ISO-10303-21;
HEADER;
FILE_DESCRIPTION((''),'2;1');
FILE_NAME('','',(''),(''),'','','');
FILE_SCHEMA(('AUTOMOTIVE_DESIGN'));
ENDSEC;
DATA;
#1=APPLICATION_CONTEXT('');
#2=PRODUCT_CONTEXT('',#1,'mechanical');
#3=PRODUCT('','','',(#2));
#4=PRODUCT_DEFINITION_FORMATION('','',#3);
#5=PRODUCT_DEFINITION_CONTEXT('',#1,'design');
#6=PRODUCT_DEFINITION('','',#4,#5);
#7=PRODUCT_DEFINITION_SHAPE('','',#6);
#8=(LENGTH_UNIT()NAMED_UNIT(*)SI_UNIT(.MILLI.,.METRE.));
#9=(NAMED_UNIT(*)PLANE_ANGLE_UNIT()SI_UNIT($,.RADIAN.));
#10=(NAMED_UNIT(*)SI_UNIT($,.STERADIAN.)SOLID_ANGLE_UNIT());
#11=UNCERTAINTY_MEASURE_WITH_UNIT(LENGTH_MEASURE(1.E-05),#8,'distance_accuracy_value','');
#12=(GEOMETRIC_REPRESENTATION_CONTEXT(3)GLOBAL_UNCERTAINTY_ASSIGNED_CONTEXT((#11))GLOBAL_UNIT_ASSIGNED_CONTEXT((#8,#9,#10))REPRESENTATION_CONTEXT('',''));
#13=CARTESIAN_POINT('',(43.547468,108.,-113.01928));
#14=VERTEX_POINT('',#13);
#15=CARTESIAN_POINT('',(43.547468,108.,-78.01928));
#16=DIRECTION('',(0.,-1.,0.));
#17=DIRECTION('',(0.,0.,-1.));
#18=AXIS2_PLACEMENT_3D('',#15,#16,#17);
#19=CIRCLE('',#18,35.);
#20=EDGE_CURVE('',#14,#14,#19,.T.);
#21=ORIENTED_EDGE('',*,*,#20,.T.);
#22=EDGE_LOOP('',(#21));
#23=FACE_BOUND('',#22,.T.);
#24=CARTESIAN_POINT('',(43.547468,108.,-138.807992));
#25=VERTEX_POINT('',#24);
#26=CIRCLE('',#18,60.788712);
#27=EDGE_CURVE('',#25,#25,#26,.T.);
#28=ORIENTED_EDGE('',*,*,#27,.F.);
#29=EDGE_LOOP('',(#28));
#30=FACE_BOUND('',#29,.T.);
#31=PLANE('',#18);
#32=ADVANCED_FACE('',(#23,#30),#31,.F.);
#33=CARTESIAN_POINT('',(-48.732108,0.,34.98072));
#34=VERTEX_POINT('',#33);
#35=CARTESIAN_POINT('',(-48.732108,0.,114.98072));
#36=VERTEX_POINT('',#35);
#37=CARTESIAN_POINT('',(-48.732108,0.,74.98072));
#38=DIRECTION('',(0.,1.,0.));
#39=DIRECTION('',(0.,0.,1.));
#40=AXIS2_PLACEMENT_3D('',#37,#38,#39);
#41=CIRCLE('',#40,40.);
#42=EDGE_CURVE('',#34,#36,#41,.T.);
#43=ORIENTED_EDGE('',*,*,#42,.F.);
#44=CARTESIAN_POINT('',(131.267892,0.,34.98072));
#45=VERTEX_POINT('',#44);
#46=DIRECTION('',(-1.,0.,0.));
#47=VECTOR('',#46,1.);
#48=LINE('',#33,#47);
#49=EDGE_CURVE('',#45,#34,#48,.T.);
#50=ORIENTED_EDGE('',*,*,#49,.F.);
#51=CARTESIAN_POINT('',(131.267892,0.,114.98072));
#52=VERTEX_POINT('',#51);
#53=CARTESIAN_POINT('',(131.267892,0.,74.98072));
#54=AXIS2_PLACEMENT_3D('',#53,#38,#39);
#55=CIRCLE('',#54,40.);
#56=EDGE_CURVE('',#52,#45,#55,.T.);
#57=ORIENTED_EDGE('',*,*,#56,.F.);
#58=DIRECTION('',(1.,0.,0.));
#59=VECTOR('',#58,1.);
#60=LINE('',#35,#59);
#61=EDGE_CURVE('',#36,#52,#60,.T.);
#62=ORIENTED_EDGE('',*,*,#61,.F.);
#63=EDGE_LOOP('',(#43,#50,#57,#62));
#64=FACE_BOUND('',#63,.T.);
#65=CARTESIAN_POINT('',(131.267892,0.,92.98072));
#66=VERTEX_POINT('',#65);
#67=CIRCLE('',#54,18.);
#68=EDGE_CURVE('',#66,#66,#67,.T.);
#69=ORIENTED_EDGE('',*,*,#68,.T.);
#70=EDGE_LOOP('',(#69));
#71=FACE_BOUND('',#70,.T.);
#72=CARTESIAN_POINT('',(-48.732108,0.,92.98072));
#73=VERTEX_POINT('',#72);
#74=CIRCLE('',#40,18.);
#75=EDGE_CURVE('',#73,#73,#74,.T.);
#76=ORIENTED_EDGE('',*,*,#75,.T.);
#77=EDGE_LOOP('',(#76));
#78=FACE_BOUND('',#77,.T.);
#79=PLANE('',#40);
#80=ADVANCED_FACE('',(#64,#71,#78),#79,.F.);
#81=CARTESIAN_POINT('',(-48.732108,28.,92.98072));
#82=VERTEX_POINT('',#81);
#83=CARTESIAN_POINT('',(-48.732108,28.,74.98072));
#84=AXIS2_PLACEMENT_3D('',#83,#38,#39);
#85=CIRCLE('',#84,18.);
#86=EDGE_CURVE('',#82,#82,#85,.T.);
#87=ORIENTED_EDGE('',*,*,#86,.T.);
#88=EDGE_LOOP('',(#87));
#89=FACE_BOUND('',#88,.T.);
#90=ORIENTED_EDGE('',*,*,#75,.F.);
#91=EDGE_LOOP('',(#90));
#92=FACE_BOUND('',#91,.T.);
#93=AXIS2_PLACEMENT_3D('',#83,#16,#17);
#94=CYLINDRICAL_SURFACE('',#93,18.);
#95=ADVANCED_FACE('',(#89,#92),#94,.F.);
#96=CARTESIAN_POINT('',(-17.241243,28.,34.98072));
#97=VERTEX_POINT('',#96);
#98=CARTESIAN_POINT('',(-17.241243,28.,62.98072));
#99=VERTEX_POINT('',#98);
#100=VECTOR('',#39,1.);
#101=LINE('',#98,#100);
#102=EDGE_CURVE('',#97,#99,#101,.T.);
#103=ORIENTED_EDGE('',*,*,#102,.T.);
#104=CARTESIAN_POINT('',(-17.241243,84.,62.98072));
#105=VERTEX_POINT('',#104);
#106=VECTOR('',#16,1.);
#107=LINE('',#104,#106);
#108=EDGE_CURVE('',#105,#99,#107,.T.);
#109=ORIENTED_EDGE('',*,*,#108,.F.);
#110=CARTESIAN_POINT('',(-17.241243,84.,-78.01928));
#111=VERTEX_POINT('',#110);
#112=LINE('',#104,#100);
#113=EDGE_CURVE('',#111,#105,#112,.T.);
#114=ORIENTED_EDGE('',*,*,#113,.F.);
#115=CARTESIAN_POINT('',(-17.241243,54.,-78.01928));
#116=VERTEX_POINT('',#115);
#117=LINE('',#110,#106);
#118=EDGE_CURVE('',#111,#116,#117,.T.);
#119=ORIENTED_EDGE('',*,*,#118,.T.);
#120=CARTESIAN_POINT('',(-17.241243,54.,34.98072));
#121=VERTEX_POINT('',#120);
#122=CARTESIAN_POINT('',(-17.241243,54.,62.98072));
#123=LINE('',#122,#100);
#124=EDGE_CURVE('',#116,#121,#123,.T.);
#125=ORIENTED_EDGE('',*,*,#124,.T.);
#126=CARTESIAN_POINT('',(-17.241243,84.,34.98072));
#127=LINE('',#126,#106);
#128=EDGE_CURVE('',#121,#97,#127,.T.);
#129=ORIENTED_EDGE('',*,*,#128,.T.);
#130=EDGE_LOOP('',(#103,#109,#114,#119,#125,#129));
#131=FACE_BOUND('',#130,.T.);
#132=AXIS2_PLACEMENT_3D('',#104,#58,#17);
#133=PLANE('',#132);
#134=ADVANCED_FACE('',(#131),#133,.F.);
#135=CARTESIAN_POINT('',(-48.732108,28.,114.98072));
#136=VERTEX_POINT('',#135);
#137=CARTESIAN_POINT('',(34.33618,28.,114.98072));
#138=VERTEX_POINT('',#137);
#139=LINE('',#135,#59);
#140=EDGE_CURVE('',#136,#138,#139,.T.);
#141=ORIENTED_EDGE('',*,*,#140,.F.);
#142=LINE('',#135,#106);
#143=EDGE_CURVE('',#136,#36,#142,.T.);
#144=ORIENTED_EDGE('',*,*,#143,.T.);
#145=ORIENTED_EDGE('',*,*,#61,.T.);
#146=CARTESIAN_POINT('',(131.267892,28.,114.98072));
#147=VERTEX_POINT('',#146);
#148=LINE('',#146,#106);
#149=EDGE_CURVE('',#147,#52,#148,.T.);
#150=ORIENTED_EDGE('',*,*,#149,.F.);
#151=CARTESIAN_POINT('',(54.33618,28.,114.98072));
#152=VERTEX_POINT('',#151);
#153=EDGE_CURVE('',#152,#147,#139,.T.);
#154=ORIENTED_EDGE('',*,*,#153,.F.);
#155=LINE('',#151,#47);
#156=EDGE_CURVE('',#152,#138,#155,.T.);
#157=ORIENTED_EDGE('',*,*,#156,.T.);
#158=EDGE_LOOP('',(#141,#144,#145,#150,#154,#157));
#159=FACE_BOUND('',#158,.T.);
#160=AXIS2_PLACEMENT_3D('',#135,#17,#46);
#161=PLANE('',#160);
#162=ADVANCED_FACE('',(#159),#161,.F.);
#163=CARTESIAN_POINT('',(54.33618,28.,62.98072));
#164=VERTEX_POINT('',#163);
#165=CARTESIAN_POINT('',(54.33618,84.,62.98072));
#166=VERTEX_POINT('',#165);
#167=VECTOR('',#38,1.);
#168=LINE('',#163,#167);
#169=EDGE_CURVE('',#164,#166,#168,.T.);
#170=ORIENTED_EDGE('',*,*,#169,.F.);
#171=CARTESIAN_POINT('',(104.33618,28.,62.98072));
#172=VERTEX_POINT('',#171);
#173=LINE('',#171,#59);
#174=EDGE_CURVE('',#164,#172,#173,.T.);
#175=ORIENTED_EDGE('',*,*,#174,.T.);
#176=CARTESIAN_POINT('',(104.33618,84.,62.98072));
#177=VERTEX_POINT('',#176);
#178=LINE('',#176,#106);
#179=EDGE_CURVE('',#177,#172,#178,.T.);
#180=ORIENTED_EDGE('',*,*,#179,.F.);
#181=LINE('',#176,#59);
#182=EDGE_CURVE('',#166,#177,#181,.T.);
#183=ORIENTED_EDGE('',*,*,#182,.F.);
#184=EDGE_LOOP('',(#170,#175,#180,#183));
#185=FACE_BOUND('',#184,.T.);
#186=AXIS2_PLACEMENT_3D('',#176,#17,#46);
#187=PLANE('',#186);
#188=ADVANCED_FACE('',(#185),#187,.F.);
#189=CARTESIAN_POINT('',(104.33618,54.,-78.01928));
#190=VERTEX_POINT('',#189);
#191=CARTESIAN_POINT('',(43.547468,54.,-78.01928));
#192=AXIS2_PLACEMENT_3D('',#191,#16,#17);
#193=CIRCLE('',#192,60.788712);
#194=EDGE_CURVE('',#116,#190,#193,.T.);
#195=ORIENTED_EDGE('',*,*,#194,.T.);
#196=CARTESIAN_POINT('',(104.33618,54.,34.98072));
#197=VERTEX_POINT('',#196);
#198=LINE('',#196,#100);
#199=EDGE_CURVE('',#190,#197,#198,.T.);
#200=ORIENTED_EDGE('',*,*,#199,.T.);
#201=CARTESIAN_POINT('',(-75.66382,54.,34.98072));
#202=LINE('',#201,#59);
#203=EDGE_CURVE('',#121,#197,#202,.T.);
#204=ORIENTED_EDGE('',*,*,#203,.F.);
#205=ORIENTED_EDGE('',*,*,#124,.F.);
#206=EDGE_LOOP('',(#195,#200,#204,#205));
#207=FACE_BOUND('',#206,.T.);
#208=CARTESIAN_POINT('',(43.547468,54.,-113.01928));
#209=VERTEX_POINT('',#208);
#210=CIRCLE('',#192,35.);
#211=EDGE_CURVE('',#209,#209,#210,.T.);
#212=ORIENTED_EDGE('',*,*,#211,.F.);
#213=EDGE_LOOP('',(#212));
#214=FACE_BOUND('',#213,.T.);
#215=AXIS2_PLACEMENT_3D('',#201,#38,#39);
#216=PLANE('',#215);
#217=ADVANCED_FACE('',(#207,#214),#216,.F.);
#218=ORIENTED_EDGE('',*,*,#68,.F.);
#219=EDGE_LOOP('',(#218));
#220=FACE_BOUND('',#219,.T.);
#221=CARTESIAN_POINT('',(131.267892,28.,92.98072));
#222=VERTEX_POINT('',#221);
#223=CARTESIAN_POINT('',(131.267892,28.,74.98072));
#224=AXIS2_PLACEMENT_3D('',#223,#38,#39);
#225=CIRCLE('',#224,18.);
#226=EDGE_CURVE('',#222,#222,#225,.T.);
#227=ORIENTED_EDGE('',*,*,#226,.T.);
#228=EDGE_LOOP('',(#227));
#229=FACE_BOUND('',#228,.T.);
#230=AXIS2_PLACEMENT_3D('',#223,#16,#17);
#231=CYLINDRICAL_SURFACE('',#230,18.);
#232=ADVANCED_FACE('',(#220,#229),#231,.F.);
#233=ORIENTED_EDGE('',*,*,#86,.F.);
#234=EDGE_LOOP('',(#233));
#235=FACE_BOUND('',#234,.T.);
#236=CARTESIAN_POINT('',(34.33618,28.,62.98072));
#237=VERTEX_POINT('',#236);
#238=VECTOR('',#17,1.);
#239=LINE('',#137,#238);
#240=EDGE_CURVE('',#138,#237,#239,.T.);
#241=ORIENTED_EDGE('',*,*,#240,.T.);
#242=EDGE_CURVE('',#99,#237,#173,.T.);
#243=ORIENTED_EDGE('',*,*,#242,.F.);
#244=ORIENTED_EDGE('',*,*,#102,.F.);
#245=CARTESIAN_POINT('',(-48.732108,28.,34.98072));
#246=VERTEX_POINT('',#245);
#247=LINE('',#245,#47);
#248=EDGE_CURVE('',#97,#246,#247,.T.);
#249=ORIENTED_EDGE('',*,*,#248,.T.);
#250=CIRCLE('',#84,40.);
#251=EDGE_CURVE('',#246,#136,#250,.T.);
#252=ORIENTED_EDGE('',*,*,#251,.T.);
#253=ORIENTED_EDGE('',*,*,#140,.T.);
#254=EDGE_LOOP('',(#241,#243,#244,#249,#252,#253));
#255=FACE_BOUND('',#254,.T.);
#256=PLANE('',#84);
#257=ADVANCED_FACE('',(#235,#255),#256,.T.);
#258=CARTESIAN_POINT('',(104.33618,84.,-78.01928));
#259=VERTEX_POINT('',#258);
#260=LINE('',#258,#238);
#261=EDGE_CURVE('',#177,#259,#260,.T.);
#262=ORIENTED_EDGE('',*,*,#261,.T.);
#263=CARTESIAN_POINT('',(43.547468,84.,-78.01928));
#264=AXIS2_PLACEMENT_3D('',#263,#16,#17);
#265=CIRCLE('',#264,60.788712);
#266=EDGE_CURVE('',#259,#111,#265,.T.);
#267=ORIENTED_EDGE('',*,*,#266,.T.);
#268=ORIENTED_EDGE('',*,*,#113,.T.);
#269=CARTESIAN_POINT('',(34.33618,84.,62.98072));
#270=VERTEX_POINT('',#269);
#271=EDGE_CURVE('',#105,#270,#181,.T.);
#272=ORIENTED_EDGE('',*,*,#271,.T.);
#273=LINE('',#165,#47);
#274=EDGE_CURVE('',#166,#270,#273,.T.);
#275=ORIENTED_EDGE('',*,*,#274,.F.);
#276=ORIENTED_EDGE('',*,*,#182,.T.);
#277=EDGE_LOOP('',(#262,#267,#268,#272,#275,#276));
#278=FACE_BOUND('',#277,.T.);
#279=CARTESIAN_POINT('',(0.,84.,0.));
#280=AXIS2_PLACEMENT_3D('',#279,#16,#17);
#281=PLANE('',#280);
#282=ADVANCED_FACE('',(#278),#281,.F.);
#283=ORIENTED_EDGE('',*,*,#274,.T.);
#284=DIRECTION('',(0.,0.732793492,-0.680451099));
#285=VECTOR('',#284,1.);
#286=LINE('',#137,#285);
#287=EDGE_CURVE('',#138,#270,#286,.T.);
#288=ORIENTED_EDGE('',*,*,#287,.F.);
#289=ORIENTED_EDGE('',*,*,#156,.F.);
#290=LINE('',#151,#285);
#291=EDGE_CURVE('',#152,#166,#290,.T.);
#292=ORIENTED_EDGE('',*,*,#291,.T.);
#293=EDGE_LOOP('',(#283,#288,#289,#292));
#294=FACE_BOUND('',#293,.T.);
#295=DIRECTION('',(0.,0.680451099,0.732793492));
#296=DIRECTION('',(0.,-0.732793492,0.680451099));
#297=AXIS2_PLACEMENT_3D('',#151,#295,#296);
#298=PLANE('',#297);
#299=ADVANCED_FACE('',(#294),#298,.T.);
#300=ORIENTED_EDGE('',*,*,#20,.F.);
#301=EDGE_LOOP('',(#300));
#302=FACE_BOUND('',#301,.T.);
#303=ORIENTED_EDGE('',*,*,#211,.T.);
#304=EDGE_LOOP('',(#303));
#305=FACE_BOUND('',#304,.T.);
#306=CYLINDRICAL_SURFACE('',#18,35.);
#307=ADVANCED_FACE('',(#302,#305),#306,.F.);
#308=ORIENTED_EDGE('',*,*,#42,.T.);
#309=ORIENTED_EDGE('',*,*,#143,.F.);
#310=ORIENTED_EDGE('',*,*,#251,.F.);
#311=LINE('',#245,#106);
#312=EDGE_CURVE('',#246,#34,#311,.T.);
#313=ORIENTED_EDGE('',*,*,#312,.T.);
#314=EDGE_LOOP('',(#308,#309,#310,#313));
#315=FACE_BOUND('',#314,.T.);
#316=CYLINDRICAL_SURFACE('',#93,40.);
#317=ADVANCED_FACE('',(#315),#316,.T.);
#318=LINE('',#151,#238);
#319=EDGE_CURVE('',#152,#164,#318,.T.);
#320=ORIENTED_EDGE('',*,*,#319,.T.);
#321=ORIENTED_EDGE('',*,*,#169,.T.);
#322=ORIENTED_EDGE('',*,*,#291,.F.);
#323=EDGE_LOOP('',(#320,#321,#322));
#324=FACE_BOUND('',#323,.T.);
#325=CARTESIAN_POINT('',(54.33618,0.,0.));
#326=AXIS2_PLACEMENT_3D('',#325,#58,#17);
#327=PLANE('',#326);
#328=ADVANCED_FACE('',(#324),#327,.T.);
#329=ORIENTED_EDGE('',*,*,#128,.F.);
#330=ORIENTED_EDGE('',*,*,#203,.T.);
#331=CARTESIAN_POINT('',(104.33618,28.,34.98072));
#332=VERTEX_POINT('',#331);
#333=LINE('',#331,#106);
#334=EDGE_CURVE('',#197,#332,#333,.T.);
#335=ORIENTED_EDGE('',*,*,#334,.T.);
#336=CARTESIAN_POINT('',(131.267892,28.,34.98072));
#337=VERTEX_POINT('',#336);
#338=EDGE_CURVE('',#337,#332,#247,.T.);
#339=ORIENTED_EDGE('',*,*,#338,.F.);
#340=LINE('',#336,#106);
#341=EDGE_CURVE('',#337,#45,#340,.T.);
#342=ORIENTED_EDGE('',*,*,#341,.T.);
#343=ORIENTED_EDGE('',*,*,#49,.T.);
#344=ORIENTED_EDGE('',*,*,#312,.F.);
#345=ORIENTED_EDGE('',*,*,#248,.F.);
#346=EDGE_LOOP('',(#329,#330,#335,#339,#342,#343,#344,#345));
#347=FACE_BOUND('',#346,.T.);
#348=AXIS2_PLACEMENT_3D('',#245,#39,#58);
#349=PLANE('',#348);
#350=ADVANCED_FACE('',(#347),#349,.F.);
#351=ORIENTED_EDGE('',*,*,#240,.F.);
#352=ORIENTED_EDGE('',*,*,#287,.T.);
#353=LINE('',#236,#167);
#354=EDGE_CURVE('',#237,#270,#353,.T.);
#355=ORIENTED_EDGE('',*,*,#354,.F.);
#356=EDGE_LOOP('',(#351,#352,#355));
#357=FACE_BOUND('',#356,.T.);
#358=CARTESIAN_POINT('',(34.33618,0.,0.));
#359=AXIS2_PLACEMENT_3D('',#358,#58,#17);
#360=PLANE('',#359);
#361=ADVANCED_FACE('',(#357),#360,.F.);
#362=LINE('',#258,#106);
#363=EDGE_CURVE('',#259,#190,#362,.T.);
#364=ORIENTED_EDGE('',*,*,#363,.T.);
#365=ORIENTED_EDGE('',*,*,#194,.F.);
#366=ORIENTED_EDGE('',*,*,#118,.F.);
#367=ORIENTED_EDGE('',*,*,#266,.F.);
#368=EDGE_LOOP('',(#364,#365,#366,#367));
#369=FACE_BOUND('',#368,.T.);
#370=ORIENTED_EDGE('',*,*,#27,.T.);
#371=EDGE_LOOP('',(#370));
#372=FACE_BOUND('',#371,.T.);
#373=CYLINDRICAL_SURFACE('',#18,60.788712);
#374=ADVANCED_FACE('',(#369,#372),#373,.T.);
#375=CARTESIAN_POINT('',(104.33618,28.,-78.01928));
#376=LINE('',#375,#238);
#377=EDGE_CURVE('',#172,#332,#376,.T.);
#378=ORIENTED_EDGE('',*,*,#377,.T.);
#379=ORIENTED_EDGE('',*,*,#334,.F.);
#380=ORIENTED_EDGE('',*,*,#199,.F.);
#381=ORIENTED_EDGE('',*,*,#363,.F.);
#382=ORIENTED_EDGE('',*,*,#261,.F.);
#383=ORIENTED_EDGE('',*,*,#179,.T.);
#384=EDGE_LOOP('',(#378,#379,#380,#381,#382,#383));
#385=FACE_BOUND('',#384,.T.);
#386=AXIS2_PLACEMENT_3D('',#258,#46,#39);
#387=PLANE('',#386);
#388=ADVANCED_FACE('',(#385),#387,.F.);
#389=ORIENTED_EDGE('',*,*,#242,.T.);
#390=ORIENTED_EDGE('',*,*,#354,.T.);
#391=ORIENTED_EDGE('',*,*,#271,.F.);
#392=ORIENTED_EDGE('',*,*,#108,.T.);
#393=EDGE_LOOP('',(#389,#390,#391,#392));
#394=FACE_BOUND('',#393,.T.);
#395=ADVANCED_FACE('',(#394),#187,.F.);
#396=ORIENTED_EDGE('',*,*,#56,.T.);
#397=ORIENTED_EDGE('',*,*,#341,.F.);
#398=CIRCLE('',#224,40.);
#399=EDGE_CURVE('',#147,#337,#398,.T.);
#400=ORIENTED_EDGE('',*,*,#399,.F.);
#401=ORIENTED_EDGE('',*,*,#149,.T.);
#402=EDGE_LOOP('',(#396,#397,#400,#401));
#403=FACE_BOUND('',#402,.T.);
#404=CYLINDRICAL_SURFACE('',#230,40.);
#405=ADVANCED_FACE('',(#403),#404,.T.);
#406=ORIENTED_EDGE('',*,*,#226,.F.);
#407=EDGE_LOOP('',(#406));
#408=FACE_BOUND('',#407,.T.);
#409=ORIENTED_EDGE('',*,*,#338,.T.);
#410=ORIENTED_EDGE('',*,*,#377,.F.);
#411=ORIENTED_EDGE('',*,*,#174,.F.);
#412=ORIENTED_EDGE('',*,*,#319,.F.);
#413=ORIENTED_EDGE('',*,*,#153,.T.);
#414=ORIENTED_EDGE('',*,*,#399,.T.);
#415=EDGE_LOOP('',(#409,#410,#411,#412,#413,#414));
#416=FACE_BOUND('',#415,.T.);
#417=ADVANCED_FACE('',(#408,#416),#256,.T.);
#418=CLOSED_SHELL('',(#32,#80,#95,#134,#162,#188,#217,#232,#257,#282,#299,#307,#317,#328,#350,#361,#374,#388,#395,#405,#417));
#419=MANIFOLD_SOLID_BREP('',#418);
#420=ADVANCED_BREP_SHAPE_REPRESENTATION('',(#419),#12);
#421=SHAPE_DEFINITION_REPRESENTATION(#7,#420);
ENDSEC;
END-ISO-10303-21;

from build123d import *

# Parameters (mm, degrees)
SKETCH_1_R          = 18
EXTRUDE_1_DEPTH     = 28
SKETCH_2_W          = 121.577423065
SKETCH_2_H          = 141
EXTRUDE_2_DEPTH     = 56
SKETCH_5_W          = 113
SKETCH_5_H          = 26
CUT_EXTRUDE_1_DEPTH = 180
SKETCH_7_R          = 60.788711533
SKETCH_7_R_2        = 35
EXTRUDE_4_DEPTH     = 54
EXTRUDE_START       = -70
EXTRUDE_5_DEPTH     = 20
CUT_EXTRUDE_START   = -20
SKETCH_9_R          = 35
CUT_EXTRUDE_2_DEPTH = 20
CUT_EXTRUDE_5_DEPTH = 236.915979109


with BuildPart() as part:
    # 스케치1 → 보스-돌출1 (new body)
    with BuildSketch(Plane(origin=(0, 0, 0), x_dir=(1, 0, 0), z_dir=(0, 1, 0))):
        with BuildLine():
            Line((-48.732108463, -34.980719949), (131.267891537, -34.980719949))
            ThreePointArc((131.267891537, -34.980719949), (171.267891537, -74.980719949), (131.267891537, -114.980719949))
            Line((131.267891537, -114.980719949), (-48.732108463, -114.980719949))
            ThreePointArc((-48.732108463, -114.980719949), (-88.732108463, -74.980719949), (-48.732108463, -34.980719949))
        make_face()
        with Locations(Location((-48.732108463, -74.980719949, 0), (0, 0, 270))):
            Circle(SKETCH_1_R, mode=Mode.SUBTRACT)
        with Locations(Location((131.267891537, -74.980719949, 0), (0, 0, 270))):
            Circle(SKETCH_1_R, mode=Mode.SUBTRACT)
    extrude(amount=EXTRUDE_1_DEPTH)

    # 스케치2 → 보스-돌출2 (add)
    with BuildSketch(Plane(origin=(0, 28, 0), x_dir=(1, 0, 0), z_dir=(0, 1, 0))):
        with Locations((43.54746822, 7.519280051)):
            Rectangle(SKETCH_2_W, SKETCH_2_H)
    extrude(amount=EXTRUDE_2_DEPTH)

    # 스케치5 → 컷-돌출1 (cut)
    with BuildSketch(Plane(origin=(104.336179752, 0, 0), x_dir=(0, 0, -1), z_dir=(1, 0, 0))):
        with Locations((21.519280051, 41)):
            Rectangle(SKETCH_5_W, SKETCH_5_H)
    extrude(amount=-CUT_EXTRUDE_1_DEPTH, mode=Mode.SUBTRACT)

    # 스케치7 → 보스-돌출4 (add)
    with BuildSketch(Plane.XZ.offset(-54)):
        with Locations(Location((43.54746822, -78.019280051, 0), (0, 0, 270))):
            Circle(SKETCH_7_R)
        with Locations(Location((43.54746822, -78.019280051, 0), (0, 0, 270))):
            Circle(SKETCH_7_R_2, mode=Mode.SUBTRACT)
    extrude(amount=-EXTRUDE_4_DEPTH)

    # 스케치8 → 보스-돌출5 (add)
    with BuildSketch(Plane(origin=(104.336179752, 0, 0), x_dir=(0, 0, -1), z_dir=(1, 0, 0)).offset(EXTRUDE_START)):
        Polygon((-114.980719949, 28), (-62.980719949, 84), (-62.980719949, 28), align=None)
    extrude(amount=EXTRUDE_5_DEPTH)

    # 스케치9 → 컷-돌출2 (cut)
    with BuildSketch(Plane(origin=(0, 84, 0), x_dir=(1, 0, 0), z_dir=(0, 1, 0)).offset(CUT_EXTRUDE_START)):
        with Locations(Location((43.54746822, 78.019280051, 0), (0, 0, 90))):
            Circle(SKETCH_9_R)
    extrude(amount=CUT_EXTRUDE_2_DEPTH, mode=Mode.SUBTRACT)

    # 스케치11 → 컷-돌출5 (cut, through all)
    with BuildSketch(Plane(origin=(0, 84, 0), x_dir=(1, 0, 0), z_dir=(0, 1, 0))):
        with BuildLine():
            Line((78.54746822, 78.019280051), (8.54746822, 78.019280051))
            ThreePointArc((8.54746822, 78.019280051), (43.54746822, 43.019280051), (78.54746822, 78.019280051))
        make_face()
    extrude(amount=-CUT_EXTRUDE_5_DEPTH, mode=Mode.SUBTRACT)


solid = part.part
